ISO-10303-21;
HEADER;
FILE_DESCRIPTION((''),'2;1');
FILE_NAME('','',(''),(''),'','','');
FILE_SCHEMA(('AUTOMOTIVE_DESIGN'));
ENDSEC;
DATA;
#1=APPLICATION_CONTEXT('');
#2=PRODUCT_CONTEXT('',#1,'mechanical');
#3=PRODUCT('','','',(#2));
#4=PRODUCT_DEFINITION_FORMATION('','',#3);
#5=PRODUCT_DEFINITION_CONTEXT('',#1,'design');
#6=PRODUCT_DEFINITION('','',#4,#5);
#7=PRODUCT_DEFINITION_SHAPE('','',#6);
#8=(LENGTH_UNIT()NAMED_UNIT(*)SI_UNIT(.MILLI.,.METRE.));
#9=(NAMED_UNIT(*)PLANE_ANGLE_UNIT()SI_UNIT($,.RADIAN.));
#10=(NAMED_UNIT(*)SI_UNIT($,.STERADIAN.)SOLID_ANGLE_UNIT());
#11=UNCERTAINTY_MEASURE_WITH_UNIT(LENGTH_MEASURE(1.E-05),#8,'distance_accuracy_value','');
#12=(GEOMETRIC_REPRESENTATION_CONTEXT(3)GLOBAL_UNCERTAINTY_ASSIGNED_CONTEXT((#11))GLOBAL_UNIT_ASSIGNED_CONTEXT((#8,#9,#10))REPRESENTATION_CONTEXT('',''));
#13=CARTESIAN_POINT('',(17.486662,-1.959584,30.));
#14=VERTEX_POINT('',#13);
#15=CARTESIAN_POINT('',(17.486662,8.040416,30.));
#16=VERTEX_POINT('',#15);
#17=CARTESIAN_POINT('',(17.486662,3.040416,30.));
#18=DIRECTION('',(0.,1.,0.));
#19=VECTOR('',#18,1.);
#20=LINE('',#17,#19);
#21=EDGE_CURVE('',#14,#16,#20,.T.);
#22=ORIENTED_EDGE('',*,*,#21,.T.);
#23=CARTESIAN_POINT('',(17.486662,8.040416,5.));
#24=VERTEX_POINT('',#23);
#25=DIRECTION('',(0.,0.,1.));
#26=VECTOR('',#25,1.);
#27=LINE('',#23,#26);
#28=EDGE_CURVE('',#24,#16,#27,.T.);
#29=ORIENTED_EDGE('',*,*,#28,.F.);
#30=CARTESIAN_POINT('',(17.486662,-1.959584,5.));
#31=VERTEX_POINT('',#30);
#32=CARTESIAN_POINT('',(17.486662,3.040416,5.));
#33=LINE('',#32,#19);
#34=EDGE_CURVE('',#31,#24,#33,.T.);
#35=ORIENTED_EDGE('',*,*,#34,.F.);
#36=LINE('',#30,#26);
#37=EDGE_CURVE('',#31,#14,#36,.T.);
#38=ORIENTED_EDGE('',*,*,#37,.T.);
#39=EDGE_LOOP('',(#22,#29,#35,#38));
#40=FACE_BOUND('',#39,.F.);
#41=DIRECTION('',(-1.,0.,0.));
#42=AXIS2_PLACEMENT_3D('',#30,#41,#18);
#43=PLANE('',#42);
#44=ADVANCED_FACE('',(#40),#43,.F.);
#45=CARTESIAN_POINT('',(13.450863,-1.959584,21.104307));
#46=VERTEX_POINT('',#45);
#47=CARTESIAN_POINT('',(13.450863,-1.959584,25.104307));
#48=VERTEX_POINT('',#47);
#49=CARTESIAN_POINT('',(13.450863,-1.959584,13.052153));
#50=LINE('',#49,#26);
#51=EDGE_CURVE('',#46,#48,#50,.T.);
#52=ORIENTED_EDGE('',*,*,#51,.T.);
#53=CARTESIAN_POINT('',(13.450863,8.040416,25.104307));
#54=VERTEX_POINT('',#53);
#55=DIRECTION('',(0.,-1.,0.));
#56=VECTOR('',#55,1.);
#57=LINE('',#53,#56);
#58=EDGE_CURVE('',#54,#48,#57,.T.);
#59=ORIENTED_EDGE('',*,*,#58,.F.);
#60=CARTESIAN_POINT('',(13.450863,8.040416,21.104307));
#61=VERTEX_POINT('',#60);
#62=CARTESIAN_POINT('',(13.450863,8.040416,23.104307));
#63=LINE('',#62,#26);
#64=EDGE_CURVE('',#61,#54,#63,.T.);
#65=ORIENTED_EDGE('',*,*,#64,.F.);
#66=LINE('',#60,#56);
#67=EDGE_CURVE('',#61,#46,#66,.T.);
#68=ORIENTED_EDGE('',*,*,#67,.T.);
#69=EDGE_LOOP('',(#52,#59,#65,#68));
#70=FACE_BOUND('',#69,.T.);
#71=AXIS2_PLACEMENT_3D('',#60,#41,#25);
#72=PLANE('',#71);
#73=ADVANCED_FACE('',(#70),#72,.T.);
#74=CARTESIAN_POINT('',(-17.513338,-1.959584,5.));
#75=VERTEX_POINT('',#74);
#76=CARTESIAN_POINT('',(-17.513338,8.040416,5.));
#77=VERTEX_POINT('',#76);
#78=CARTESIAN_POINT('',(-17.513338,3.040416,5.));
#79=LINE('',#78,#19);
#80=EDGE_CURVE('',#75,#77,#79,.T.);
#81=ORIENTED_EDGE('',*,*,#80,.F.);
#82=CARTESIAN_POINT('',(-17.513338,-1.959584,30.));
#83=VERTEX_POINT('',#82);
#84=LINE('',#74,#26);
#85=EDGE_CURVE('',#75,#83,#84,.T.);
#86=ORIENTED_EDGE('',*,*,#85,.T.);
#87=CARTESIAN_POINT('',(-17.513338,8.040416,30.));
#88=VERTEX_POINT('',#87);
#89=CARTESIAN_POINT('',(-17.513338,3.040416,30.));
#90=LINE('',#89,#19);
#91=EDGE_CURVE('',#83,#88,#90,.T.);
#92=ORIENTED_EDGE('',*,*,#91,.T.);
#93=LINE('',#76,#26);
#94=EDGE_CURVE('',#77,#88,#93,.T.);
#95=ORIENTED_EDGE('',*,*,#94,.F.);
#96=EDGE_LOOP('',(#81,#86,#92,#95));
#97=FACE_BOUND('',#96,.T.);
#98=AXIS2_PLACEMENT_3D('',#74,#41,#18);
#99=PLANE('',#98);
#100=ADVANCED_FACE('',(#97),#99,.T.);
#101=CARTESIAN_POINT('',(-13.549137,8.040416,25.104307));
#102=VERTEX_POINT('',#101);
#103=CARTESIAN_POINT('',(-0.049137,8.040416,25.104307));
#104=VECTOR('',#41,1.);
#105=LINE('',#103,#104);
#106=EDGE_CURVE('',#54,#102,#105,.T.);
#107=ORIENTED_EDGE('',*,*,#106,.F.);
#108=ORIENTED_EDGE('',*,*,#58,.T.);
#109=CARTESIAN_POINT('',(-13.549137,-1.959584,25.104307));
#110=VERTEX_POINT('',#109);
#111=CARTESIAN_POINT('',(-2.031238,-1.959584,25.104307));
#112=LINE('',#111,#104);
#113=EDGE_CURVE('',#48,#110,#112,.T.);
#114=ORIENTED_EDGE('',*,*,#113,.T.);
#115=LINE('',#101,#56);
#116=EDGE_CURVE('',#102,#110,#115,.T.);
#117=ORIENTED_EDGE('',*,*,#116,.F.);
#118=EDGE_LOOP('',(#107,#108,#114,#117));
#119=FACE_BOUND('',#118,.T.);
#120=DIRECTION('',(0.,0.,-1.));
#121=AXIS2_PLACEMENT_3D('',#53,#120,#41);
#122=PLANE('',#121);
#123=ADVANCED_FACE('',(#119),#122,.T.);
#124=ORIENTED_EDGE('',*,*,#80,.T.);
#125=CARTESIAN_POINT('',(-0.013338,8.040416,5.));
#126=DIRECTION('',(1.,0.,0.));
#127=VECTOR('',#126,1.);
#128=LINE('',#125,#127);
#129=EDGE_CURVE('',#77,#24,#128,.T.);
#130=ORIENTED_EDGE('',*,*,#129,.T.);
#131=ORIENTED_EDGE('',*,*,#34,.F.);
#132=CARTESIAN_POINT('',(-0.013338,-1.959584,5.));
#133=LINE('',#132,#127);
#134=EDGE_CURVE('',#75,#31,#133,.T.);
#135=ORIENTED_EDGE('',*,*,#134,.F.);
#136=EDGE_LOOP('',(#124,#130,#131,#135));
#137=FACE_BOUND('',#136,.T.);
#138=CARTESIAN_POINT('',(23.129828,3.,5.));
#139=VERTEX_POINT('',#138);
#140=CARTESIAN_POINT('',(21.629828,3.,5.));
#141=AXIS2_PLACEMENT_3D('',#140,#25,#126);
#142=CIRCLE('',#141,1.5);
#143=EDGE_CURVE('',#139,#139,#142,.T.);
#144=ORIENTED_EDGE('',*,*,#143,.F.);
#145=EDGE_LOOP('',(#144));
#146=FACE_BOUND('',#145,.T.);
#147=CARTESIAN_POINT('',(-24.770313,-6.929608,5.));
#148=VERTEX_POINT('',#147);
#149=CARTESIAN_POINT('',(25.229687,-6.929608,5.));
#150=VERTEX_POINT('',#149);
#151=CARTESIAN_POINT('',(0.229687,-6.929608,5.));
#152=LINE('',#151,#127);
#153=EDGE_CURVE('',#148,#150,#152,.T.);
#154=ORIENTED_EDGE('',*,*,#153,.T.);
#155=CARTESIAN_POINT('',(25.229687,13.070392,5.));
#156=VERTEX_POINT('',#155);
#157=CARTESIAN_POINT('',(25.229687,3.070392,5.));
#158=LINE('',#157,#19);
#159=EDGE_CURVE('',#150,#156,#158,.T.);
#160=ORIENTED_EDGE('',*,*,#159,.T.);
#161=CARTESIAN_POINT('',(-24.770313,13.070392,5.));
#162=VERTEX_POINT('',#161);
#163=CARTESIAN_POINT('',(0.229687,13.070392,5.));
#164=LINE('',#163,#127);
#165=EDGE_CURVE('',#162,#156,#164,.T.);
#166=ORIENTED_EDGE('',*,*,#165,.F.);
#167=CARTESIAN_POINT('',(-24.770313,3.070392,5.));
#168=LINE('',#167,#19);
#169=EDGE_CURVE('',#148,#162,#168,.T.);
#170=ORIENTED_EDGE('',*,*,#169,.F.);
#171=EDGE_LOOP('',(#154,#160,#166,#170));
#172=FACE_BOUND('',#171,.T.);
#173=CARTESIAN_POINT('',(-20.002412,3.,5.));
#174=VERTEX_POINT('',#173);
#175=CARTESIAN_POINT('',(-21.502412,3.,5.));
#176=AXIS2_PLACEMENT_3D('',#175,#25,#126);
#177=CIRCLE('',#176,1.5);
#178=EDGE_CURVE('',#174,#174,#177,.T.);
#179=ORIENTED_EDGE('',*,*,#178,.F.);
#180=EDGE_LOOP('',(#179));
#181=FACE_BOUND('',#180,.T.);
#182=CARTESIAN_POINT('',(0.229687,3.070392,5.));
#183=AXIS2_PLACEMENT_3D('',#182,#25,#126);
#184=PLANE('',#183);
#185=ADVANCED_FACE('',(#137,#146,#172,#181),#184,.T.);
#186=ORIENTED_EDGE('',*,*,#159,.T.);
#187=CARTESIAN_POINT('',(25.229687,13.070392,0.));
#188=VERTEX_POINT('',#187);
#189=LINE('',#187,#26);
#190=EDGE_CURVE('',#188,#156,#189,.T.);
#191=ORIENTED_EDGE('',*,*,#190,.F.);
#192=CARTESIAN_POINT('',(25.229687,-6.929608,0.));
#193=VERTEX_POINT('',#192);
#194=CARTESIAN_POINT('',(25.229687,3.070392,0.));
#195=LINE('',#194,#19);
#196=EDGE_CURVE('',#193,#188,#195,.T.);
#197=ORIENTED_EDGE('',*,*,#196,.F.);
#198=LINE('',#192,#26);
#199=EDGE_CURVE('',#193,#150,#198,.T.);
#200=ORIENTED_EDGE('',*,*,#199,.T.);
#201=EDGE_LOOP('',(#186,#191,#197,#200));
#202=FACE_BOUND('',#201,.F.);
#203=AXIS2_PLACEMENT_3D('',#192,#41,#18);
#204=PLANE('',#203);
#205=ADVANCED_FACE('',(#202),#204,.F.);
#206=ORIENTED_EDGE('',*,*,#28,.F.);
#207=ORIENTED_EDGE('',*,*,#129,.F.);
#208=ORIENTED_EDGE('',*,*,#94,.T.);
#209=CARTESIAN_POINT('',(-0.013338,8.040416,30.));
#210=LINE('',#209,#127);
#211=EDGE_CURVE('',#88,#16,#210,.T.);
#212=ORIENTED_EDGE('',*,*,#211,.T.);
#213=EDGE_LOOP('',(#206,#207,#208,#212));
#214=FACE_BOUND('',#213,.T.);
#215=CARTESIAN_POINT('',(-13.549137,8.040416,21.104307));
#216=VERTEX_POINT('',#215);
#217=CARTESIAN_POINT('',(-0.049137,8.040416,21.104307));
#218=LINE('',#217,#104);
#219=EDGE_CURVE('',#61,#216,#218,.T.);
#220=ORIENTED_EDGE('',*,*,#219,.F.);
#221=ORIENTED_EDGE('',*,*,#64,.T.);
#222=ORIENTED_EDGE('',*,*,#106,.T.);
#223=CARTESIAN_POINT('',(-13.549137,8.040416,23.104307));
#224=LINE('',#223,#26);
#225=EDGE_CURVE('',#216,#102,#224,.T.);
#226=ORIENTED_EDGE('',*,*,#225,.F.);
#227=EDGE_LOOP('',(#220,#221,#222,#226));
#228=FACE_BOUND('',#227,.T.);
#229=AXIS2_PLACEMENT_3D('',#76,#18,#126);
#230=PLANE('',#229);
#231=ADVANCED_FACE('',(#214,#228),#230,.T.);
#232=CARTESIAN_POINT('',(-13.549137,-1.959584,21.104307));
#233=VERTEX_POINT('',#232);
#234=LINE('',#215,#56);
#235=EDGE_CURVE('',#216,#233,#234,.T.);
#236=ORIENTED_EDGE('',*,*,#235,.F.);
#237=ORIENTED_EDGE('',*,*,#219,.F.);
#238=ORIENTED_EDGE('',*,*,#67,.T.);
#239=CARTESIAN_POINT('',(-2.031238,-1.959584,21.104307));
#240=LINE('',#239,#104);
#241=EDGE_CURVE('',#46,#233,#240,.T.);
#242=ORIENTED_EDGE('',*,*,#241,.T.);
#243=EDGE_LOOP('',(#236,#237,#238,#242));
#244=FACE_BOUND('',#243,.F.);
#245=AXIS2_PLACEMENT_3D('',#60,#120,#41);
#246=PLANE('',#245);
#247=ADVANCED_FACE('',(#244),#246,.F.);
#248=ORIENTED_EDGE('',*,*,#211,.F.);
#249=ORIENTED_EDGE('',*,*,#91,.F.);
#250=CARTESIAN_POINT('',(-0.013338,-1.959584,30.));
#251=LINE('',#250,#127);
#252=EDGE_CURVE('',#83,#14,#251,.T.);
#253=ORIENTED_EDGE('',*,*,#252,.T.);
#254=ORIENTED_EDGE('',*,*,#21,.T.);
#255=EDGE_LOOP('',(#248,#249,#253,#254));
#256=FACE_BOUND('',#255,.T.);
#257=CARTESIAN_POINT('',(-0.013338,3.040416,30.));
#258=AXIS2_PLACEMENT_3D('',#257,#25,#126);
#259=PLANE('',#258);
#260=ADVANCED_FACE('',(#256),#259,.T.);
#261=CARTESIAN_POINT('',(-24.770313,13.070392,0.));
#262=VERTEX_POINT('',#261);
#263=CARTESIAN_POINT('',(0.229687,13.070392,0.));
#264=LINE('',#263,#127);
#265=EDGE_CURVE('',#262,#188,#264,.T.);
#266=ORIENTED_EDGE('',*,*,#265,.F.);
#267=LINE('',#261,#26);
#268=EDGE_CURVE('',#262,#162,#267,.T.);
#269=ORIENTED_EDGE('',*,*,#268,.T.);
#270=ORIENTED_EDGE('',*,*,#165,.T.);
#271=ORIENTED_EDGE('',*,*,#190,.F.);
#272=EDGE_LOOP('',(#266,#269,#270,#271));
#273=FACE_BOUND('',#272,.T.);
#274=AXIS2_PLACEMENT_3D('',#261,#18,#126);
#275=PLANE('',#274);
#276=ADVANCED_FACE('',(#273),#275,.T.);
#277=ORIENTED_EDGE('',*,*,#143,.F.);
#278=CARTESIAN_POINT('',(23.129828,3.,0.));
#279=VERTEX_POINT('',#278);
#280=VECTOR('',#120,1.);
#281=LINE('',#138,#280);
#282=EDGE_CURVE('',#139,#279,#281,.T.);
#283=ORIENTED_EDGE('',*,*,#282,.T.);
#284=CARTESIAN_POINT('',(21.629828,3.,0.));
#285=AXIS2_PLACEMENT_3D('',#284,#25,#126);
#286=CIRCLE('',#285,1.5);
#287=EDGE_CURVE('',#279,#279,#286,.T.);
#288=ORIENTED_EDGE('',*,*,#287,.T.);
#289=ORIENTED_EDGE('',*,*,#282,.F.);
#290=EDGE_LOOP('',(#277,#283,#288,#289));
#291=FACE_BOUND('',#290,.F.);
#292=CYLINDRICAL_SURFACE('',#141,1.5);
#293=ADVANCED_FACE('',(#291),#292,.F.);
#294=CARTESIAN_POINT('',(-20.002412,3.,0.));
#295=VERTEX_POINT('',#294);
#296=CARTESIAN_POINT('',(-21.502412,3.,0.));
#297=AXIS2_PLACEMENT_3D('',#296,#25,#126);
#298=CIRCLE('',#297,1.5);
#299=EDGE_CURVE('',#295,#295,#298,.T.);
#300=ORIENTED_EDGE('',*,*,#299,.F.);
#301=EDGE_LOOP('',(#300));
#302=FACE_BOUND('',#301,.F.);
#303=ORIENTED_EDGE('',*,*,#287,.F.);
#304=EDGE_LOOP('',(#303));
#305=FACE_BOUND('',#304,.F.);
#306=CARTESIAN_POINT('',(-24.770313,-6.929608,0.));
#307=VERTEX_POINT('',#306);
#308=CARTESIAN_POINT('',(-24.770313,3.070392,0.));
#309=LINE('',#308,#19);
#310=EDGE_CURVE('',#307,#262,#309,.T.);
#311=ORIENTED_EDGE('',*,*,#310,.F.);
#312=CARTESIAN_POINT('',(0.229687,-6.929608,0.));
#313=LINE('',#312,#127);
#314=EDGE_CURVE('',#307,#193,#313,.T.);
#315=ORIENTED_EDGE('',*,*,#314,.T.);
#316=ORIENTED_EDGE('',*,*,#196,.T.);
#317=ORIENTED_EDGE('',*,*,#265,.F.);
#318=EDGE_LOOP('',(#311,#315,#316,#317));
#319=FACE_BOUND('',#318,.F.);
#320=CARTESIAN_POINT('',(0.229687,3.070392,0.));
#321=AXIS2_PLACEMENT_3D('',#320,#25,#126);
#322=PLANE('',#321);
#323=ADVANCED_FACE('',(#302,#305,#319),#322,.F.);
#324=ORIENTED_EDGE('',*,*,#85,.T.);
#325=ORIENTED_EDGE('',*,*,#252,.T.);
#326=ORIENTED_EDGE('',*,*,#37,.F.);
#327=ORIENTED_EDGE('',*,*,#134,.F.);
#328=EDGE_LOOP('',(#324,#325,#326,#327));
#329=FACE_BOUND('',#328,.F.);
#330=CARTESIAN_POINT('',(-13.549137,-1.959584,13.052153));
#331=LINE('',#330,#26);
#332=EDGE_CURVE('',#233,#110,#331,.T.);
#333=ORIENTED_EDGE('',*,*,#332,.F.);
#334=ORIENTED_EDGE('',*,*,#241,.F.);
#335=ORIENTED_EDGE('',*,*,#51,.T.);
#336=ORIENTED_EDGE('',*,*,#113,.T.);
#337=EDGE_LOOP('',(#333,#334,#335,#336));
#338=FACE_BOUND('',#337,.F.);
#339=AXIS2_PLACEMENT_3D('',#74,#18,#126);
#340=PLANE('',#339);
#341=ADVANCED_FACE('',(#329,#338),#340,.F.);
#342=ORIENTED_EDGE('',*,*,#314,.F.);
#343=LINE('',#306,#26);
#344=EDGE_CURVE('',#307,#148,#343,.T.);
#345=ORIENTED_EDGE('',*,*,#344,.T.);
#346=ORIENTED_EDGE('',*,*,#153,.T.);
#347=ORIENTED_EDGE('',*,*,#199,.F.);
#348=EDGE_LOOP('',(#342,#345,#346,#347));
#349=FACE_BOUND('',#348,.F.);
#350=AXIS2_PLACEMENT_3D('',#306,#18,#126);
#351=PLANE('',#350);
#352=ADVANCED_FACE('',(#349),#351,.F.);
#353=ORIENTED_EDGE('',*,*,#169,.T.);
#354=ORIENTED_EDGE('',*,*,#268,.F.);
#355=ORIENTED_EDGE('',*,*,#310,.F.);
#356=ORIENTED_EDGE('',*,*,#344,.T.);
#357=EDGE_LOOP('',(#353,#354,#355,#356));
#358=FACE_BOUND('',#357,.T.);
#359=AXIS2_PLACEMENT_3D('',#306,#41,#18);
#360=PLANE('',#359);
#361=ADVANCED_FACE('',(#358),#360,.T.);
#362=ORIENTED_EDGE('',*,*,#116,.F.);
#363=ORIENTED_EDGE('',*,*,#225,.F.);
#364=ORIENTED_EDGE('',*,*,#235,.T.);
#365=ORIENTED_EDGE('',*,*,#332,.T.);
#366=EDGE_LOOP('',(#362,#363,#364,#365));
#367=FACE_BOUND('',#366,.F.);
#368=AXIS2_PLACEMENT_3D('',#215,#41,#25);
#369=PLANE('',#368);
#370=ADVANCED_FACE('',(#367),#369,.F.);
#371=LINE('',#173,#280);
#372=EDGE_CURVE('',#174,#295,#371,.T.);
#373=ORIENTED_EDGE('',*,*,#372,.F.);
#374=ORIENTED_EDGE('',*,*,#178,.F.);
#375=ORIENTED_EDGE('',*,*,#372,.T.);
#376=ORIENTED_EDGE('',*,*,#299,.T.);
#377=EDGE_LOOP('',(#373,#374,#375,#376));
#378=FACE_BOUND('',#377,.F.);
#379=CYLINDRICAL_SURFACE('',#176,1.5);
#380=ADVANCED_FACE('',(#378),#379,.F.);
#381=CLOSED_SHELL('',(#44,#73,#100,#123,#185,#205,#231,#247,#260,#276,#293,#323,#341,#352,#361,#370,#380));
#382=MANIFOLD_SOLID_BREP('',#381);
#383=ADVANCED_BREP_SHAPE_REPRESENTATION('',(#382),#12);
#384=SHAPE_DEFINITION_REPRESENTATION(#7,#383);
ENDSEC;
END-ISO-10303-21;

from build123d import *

# Parameters (mm, degrees)
SKETCH_W     = 50
SKETCH_H     = 20
PAD_DEPTH    = 5
SKETCH001_R  = 1.5
HOLE_DEPTH   = 25
SKETCH002_W  = 35
SKETCH002_H  = 10
PAD001_DEPTH = 25
SKETCH003_W  = 27
SKETCH003_H  = 4
POCKET_DEPTH = 11


with BuildPart() as part:
    # Sketch → Pad (new body)
    with BuildSketch(Plane.XY):
        with Locations((0.229687, 0.070392)):
            Rectangle(SKETCH_W, SKETCH_H)
    extrude(amount=PAD_DEPTH)

    # Sketch001 (on Face6 of Pad) → Hole (cut)
    with BuildSketch(Plane.XY.offset(5)):
        with Locations((-21.502412, 0)):
            Circle(SKETCH001_R)
        with Locations((21.629828, 0)):
            Circle(SKETCH001_R)
    extrude(amount=-HOLE_DEPTH, mode=Mode.SUBTRACT)

    # Sketch002 (on Face5 of Hole) → Pad001 (join)
    with BuildSketch(Plane.XY.offset(5)):
        with Locations((-0.013338, 0.040416)):
            Rectangle(SKETCH002_W, SKETCH002_H)
    extrude(amount=PAD001_DEPTH)

    # Sketch003 (on Face12 of Pad001) → Pocket (cut)
    with BuildSketch(Plane(origin=(0, 5.040416, 0), x_dir=(-1, 0, 0), z_dir=(0, 1, 0))):
        with Locations((0.049137, 23.104307)):
            Rectangle(SKETCH003_W, SKETCH003_H)
    extrude(amount=-POCKET_DEPTH, mode=Mode.SUBTRACT)


with BuildPart() as part_1:
    # Body placement: moved
    add(part.part.moved(Location((0, 3, 0))))


solid = part_1.part
